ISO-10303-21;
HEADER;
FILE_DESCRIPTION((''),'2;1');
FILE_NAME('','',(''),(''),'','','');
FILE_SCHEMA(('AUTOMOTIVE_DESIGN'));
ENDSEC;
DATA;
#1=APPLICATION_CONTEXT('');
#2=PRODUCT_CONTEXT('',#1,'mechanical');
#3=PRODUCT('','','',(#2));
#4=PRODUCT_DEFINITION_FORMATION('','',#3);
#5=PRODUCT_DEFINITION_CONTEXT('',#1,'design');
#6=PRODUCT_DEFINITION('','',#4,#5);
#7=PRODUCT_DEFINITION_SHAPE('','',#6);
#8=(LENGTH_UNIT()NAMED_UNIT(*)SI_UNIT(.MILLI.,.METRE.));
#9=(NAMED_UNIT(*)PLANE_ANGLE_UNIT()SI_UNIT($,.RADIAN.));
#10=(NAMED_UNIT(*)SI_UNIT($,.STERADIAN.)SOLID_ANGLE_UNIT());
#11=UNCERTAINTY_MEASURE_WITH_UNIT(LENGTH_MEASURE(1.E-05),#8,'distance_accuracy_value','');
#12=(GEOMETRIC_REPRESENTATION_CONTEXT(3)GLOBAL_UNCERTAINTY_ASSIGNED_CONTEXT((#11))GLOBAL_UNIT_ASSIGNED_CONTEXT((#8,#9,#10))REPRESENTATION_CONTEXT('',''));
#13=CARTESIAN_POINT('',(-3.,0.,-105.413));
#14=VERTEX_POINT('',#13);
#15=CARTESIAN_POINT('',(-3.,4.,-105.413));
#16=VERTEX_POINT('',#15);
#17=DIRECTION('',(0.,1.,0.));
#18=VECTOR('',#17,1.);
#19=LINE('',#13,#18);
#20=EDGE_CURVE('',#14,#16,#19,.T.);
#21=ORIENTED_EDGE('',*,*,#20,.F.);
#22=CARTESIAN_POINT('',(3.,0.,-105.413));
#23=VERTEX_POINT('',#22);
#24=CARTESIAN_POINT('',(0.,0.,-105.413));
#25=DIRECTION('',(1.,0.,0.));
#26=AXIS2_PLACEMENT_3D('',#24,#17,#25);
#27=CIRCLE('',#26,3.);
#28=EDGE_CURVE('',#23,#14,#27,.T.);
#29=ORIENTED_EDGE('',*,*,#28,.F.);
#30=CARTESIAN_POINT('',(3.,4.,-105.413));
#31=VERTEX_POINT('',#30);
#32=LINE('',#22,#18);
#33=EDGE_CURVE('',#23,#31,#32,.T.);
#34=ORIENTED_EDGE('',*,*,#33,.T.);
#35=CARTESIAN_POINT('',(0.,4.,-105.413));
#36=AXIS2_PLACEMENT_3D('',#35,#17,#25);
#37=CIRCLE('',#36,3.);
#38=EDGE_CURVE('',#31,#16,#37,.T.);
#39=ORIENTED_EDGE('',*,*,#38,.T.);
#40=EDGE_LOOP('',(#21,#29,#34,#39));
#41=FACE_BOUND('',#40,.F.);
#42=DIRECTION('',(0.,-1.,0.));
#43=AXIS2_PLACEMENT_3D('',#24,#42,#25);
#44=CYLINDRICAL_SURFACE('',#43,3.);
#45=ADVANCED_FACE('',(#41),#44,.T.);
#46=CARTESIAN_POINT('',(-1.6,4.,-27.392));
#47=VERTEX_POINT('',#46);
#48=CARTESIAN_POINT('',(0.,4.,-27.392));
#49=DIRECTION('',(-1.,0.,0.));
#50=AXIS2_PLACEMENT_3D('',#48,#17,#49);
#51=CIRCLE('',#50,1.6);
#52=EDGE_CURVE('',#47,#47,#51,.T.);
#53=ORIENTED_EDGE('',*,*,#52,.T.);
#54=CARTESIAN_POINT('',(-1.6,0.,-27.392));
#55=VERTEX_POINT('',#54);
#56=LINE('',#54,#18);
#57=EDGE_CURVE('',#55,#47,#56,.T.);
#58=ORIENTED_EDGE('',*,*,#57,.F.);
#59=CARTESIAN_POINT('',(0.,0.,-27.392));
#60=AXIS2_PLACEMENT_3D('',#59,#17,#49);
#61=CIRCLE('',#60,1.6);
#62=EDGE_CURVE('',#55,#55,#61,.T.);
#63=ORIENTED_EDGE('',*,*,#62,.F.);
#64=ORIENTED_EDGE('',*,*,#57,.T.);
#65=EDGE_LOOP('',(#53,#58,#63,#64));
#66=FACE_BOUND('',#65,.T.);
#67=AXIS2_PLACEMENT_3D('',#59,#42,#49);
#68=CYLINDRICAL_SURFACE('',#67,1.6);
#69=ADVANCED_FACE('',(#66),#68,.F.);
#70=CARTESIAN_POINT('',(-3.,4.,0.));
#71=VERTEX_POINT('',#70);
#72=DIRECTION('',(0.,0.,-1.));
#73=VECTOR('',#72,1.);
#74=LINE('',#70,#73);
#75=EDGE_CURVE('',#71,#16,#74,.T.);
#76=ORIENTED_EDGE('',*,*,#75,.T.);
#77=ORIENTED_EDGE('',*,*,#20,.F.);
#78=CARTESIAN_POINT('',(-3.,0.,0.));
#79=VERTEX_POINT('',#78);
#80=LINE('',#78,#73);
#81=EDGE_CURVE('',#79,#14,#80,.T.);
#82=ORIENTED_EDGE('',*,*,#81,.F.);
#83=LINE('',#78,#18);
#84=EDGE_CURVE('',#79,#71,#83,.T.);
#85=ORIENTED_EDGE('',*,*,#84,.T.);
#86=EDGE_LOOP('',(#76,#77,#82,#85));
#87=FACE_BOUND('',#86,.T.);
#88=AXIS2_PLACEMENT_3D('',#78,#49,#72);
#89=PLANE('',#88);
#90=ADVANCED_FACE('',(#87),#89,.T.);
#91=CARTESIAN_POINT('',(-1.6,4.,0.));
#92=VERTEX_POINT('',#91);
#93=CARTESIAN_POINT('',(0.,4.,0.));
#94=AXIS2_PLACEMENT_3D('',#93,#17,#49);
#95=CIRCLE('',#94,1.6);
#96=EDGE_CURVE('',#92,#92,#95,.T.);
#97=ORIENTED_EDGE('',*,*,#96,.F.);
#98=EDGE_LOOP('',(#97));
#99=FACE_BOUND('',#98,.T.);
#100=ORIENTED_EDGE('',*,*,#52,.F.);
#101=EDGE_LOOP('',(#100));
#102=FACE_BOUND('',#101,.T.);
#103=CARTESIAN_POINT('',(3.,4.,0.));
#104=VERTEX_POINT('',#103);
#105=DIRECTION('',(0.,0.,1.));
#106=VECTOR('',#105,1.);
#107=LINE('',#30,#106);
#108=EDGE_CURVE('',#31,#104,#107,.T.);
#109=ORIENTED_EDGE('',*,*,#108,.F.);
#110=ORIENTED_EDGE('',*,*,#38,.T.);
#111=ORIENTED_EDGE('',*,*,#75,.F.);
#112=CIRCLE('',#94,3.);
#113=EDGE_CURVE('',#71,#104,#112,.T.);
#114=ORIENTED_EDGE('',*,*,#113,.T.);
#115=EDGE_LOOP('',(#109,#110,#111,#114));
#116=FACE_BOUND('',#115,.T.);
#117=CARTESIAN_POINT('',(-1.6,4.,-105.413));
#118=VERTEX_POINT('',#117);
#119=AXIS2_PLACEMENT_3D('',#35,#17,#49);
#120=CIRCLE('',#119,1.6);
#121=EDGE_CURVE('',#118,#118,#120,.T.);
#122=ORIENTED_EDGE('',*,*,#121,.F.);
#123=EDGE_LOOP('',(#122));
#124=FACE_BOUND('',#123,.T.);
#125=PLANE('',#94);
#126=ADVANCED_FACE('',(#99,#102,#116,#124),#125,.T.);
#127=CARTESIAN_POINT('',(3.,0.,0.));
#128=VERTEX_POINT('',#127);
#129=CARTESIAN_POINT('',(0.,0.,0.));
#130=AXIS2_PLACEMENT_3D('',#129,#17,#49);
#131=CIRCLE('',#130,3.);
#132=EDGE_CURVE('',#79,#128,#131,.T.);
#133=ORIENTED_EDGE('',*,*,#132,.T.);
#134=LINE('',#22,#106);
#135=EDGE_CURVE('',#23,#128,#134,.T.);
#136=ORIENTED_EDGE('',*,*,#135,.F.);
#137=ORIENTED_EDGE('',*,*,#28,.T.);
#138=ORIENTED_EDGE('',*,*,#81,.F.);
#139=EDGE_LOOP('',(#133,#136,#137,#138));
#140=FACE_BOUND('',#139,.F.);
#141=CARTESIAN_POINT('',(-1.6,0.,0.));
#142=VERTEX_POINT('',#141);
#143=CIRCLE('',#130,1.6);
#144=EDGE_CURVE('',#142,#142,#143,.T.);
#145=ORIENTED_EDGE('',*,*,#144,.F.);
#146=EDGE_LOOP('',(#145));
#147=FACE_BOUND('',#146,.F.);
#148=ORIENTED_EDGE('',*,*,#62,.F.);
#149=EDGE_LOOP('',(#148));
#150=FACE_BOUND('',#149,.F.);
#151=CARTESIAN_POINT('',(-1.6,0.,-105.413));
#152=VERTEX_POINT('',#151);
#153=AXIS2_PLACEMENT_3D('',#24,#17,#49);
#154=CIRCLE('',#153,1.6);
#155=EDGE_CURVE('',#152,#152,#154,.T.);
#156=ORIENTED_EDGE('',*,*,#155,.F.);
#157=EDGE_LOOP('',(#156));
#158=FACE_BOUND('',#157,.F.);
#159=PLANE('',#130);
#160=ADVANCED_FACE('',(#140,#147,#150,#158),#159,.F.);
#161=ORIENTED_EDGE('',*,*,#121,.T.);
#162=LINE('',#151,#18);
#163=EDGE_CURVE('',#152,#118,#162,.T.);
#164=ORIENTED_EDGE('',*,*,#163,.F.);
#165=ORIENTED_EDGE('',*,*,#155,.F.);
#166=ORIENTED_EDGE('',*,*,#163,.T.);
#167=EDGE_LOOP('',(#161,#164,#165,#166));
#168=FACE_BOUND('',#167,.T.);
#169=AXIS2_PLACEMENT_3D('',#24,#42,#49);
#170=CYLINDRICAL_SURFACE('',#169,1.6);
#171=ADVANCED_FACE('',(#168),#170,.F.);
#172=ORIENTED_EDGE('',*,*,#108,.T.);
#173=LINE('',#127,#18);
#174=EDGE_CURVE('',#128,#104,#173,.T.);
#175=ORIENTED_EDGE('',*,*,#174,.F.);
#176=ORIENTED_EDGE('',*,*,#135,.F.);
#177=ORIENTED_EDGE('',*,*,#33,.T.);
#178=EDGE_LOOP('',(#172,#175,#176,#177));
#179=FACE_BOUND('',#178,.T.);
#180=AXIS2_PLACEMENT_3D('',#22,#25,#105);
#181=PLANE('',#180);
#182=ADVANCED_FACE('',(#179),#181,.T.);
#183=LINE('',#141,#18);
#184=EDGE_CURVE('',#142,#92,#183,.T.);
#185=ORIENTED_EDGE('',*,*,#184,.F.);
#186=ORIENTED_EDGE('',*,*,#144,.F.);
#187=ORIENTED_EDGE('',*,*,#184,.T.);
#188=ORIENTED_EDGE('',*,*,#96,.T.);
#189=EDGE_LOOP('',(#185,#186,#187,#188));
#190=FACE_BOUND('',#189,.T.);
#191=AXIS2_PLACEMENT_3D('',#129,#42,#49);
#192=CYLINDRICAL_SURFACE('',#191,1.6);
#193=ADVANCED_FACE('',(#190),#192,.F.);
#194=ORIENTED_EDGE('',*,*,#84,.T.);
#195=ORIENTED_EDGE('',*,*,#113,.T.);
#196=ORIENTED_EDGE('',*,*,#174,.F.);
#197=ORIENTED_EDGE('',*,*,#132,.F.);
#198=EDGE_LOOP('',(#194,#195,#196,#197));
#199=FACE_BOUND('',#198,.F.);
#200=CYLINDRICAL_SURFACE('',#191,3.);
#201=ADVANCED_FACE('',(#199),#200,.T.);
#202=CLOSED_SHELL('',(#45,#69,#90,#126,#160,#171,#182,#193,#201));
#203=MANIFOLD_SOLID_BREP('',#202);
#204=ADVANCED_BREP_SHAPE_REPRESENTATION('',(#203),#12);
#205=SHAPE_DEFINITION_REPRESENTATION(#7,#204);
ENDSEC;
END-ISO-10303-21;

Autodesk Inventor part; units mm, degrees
ref_plane "YZ Plane" through (0, 0, 0) normal (1, 0, 0) x (0, 1, 0)
ref_plane "XZ Plane" through (0, 0, 0) normal (0, 1, 0) x (-1, 0, 0)
ref_plane "XY Plane" through (0, 0, 0) normal (0, 0, 1) x (1, 0, 0)
sketch "Sketch1" plane through (0, 0, 0) normal (0, 1, 0) x (-1, 0, 0)
  line L0 (0, 0) -> (0, -105.413) construction
  line L1 (3, 0) -> (3, -105.413)
  line L2 (-3, -105.413) -> (-3, 0)
  arc A0 (3, 0) -> (-3, 0) centre (0, 0) ccw
  arc A1 (-3, -105.413) -> (3, -105.413) centre (0, -105.413) ccw
  circle A2 centre (0, 0) radius 1.6
  circle A3 centre (0, -105.413) radius 1.6
  circle A4 centre (0, -27.392) radius 1.6
  point P0 (0, -52.7065)
  dimension "d0" = 3.2
  dimension "d1" = 3.2
  dimension "d2" = 6
  dimension "d3" = 105.413
  dimension "d4" = 3.2
  dimension "d5" = 27.392
extrude "Extrusion1" add sketch "Sketch1" along normal blind 4
